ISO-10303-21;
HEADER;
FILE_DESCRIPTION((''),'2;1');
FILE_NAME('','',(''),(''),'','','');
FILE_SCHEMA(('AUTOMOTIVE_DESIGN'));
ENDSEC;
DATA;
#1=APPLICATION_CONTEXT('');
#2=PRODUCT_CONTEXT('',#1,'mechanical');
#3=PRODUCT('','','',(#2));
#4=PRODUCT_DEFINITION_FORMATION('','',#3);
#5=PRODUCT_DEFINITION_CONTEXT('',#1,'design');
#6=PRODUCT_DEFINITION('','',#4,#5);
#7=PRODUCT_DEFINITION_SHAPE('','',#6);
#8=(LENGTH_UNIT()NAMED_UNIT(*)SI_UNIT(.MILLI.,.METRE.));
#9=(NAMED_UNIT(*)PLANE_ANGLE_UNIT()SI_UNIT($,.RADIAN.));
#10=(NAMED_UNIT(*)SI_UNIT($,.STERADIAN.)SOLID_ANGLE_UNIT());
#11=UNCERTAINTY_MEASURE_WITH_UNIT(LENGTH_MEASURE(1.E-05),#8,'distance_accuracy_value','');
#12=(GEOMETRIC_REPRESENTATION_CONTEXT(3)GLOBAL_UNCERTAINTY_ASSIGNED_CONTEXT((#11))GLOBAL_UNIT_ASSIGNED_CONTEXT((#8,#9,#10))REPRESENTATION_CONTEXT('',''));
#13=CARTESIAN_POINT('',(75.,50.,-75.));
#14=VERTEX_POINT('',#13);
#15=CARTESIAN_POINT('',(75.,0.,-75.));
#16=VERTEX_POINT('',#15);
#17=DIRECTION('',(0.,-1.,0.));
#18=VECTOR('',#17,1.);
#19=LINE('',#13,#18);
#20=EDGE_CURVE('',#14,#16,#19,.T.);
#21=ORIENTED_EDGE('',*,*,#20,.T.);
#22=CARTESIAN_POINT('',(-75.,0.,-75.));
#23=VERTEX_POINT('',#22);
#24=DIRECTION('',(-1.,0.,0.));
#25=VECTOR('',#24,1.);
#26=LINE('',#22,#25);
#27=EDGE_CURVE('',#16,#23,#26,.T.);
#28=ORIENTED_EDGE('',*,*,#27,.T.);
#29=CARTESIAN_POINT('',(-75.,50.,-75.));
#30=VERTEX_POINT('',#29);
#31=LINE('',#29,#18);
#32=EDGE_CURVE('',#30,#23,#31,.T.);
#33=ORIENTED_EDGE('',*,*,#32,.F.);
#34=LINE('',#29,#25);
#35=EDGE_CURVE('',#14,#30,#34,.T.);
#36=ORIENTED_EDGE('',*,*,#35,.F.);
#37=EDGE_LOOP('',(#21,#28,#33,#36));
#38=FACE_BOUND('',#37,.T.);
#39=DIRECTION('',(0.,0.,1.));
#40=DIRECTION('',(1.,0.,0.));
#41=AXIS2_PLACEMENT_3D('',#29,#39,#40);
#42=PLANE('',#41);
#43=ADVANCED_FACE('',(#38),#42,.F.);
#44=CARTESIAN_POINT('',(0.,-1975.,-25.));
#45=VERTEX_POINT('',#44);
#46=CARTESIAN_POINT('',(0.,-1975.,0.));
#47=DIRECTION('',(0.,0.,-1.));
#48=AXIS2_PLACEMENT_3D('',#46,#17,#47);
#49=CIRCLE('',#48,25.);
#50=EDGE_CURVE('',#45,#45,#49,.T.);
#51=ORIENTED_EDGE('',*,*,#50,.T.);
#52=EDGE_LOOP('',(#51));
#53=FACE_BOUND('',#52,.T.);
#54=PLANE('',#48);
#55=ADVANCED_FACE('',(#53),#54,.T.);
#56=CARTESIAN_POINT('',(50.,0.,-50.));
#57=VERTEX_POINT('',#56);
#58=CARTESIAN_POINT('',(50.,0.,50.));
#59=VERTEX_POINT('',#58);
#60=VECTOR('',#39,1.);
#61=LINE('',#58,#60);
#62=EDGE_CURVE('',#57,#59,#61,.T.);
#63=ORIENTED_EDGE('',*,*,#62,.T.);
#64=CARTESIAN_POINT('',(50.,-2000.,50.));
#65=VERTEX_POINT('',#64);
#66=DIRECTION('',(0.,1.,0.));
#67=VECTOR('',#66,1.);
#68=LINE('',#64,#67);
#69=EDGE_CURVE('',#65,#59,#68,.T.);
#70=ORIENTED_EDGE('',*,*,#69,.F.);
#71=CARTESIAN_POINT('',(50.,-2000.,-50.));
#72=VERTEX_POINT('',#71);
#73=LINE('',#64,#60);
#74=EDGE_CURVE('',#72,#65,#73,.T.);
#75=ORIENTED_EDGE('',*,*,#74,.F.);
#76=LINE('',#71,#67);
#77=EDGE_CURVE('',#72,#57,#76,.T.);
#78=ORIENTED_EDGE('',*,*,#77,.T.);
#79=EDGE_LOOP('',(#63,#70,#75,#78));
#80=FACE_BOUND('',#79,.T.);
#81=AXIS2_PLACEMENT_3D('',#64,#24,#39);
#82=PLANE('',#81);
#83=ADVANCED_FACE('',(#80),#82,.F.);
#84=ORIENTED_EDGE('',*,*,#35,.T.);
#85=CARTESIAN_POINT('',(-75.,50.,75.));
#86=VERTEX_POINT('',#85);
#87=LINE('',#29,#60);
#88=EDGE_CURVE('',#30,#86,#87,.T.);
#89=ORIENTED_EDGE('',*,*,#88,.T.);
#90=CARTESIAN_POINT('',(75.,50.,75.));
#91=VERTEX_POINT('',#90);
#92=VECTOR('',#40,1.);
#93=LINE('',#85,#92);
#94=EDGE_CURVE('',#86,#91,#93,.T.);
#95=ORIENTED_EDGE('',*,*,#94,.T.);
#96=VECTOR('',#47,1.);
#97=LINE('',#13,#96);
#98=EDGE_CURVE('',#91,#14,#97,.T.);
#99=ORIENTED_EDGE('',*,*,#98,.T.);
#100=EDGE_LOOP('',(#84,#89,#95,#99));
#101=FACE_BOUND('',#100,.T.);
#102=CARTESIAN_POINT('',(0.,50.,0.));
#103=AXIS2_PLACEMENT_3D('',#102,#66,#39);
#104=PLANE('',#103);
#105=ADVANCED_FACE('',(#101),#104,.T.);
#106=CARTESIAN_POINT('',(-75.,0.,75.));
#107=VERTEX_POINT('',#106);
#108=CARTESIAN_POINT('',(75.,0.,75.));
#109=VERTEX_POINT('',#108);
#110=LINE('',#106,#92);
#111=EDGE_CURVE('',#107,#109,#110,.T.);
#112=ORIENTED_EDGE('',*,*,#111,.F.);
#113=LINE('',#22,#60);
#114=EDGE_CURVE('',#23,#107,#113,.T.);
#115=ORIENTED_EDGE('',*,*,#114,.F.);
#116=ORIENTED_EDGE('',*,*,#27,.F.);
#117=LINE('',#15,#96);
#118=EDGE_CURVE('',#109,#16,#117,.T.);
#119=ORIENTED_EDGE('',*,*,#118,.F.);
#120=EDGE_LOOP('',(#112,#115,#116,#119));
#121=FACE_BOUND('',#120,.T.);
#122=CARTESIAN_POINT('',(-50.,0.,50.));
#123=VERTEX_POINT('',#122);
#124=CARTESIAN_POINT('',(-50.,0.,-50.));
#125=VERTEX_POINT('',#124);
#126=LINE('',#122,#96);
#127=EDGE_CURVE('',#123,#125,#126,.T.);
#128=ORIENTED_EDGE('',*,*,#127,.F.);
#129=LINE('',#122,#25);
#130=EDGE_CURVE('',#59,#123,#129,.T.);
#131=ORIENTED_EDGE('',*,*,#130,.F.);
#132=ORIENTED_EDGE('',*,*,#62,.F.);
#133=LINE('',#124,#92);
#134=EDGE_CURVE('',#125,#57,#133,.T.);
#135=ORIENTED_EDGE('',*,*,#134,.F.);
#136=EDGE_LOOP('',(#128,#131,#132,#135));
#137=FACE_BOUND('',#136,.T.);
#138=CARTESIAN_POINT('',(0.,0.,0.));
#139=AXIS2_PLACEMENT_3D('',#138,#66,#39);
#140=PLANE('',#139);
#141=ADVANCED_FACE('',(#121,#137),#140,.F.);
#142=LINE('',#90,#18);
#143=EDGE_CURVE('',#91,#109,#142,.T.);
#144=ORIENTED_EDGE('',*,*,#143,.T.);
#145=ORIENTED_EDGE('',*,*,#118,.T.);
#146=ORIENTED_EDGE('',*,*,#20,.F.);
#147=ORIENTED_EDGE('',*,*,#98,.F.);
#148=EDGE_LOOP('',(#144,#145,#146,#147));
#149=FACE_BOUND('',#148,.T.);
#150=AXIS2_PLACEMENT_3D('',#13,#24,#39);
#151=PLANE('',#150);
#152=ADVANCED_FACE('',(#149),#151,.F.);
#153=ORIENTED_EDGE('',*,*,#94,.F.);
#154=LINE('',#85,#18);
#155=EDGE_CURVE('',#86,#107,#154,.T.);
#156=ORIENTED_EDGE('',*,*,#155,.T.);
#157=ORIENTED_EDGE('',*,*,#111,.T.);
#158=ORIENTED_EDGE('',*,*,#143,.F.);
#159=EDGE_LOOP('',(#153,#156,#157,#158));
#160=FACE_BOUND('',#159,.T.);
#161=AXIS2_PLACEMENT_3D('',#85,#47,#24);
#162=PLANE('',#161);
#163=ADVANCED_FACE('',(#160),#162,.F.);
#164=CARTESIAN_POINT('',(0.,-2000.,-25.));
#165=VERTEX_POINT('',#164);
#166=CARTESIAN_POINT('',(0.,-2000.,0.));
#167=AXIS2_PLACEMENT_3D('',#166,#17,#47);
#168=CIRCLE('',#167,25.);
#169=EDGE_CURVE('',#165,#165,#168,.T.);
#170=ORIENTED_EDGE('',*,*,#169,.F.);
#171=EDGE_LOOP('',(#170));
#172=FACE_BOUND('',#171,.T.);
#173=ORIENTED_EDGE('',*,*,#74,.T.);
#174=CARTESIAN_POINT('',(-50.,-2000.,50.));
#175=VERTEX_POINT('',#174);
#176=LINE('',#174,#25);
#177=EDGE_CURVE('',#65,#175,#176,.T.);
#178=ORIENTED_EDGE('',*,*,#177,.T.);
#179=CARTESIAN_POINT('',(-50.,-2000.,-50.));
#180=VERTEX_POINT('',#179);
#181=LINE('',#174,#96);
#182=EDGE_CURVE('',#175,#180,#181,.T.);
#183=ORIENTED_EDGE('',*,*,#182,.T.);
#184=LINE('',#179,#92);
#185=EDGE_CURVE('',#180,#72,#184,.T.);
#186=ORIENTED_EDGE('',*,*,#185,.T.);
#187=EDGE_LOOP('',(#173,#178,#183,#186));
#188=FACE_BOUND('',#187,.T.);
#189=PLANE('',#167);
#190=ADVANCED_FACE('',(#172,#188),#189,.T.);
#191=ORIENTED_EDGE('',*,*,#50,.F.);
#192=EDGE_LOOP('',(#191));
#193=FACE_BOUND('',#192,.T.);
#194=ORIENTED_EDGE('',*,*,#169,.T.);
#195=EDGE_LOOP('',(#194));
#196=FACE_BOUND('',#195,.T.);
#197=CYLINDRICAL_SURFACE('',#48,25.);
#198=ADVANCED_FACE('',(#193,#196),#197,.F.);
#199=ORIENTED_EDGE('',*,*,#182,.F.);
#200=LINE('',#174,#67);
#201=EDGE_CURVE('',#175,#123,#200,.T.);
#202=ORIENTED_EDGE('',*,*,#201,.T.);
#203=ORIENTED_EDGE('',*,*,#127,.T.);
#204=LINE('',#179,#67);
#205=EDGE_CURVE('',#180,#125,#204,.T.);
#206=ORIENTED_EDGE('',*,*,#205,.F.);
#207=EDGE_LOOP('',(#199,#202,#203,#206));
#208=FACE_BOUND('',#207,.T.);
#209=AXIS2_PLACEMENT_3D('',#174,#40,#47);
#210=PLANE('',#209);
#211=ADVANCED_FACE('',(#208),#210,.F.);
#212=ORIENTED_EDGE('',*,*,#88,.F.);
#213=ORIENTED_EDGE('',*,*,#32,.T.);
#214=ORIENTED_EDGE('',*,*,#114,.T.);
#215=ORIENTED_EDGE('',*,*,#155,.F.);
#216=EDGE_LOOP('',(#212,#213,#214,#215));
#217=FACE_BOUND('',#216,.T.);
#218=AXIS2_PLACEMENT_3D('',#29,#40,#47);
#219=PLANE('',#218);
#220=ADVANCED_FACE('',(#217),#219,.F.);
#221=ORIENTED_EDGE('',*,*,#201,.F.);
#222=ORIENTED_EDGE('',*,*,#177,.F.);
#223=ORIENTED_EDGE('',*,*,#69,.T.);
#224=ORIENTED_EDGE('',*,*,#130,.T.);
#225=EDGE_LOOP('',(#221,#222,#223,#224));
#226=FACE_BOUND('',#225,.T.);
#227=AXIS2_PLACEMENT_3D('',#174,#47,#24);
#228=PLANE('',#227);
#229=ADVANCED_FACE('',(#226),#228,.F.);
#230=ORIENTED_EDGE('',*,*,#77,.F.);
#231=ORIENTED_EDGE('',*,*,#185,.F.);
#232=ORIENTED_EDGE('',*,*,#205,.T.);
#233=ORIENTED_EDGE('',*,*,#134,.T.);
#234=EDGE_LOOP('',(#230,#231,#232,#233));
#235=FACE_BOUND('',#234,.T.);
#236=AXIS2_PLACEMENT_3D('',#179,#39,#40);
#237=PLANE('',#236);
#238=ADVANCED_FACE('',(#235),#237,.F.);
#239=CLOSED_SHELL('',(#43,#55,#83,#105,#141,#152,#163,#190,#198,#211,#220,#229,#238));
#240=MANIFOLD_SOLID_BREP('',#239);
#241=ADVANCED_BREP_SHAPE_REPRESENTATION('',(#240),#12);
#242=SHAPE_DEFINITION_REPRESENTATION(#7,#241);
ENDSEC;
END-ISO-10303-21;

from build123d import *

# Parameters (mm, degrees)
SKETCH1_W           = 150
SKETCH1_H           = 150
BOSS_EXTRUDE1_DEPTH = 50
SKETCH2_W           = 100
SKETCH2_H           = 100
BOSS_EXTRUDE2_DEPTH = 2000
SKETCH3_R           = 25
CUT_EXTRUDE1_DEPTH  = 25


with BuildPart() as part:
    # Sketch1 → Boss-Extrude1 (new body)
    with BuildSketch(Plane(origin=(0, 0, 0), x_dir=(1, 0, 0), z_dir=(0, 1, 0))):
        Rectangle(SKETCH1_W, SKETCH1_H)
    extrude(amount=BOSS_EXTRUDE1_DEPTH)

    # Sketch2 → Boss-Extrude2 (add)
    with BuildSketch(Plane.XZ):
        Rectangle(SKETCH2_W, SKETCH2_H)
    extrude(amount=BOSS_EXTRUDE2_DEPTH)

    # Sketch3 → Cut-Extrude1 (cut)
    with BuildSketch(Plane.XZ.offset(2000)):
        Circle(SKETCH3_R)
    extrude(amount=-CUT_EXTRUDE1_DEPTH, mode=Mode.SUBTRACT)


solid = part.part
